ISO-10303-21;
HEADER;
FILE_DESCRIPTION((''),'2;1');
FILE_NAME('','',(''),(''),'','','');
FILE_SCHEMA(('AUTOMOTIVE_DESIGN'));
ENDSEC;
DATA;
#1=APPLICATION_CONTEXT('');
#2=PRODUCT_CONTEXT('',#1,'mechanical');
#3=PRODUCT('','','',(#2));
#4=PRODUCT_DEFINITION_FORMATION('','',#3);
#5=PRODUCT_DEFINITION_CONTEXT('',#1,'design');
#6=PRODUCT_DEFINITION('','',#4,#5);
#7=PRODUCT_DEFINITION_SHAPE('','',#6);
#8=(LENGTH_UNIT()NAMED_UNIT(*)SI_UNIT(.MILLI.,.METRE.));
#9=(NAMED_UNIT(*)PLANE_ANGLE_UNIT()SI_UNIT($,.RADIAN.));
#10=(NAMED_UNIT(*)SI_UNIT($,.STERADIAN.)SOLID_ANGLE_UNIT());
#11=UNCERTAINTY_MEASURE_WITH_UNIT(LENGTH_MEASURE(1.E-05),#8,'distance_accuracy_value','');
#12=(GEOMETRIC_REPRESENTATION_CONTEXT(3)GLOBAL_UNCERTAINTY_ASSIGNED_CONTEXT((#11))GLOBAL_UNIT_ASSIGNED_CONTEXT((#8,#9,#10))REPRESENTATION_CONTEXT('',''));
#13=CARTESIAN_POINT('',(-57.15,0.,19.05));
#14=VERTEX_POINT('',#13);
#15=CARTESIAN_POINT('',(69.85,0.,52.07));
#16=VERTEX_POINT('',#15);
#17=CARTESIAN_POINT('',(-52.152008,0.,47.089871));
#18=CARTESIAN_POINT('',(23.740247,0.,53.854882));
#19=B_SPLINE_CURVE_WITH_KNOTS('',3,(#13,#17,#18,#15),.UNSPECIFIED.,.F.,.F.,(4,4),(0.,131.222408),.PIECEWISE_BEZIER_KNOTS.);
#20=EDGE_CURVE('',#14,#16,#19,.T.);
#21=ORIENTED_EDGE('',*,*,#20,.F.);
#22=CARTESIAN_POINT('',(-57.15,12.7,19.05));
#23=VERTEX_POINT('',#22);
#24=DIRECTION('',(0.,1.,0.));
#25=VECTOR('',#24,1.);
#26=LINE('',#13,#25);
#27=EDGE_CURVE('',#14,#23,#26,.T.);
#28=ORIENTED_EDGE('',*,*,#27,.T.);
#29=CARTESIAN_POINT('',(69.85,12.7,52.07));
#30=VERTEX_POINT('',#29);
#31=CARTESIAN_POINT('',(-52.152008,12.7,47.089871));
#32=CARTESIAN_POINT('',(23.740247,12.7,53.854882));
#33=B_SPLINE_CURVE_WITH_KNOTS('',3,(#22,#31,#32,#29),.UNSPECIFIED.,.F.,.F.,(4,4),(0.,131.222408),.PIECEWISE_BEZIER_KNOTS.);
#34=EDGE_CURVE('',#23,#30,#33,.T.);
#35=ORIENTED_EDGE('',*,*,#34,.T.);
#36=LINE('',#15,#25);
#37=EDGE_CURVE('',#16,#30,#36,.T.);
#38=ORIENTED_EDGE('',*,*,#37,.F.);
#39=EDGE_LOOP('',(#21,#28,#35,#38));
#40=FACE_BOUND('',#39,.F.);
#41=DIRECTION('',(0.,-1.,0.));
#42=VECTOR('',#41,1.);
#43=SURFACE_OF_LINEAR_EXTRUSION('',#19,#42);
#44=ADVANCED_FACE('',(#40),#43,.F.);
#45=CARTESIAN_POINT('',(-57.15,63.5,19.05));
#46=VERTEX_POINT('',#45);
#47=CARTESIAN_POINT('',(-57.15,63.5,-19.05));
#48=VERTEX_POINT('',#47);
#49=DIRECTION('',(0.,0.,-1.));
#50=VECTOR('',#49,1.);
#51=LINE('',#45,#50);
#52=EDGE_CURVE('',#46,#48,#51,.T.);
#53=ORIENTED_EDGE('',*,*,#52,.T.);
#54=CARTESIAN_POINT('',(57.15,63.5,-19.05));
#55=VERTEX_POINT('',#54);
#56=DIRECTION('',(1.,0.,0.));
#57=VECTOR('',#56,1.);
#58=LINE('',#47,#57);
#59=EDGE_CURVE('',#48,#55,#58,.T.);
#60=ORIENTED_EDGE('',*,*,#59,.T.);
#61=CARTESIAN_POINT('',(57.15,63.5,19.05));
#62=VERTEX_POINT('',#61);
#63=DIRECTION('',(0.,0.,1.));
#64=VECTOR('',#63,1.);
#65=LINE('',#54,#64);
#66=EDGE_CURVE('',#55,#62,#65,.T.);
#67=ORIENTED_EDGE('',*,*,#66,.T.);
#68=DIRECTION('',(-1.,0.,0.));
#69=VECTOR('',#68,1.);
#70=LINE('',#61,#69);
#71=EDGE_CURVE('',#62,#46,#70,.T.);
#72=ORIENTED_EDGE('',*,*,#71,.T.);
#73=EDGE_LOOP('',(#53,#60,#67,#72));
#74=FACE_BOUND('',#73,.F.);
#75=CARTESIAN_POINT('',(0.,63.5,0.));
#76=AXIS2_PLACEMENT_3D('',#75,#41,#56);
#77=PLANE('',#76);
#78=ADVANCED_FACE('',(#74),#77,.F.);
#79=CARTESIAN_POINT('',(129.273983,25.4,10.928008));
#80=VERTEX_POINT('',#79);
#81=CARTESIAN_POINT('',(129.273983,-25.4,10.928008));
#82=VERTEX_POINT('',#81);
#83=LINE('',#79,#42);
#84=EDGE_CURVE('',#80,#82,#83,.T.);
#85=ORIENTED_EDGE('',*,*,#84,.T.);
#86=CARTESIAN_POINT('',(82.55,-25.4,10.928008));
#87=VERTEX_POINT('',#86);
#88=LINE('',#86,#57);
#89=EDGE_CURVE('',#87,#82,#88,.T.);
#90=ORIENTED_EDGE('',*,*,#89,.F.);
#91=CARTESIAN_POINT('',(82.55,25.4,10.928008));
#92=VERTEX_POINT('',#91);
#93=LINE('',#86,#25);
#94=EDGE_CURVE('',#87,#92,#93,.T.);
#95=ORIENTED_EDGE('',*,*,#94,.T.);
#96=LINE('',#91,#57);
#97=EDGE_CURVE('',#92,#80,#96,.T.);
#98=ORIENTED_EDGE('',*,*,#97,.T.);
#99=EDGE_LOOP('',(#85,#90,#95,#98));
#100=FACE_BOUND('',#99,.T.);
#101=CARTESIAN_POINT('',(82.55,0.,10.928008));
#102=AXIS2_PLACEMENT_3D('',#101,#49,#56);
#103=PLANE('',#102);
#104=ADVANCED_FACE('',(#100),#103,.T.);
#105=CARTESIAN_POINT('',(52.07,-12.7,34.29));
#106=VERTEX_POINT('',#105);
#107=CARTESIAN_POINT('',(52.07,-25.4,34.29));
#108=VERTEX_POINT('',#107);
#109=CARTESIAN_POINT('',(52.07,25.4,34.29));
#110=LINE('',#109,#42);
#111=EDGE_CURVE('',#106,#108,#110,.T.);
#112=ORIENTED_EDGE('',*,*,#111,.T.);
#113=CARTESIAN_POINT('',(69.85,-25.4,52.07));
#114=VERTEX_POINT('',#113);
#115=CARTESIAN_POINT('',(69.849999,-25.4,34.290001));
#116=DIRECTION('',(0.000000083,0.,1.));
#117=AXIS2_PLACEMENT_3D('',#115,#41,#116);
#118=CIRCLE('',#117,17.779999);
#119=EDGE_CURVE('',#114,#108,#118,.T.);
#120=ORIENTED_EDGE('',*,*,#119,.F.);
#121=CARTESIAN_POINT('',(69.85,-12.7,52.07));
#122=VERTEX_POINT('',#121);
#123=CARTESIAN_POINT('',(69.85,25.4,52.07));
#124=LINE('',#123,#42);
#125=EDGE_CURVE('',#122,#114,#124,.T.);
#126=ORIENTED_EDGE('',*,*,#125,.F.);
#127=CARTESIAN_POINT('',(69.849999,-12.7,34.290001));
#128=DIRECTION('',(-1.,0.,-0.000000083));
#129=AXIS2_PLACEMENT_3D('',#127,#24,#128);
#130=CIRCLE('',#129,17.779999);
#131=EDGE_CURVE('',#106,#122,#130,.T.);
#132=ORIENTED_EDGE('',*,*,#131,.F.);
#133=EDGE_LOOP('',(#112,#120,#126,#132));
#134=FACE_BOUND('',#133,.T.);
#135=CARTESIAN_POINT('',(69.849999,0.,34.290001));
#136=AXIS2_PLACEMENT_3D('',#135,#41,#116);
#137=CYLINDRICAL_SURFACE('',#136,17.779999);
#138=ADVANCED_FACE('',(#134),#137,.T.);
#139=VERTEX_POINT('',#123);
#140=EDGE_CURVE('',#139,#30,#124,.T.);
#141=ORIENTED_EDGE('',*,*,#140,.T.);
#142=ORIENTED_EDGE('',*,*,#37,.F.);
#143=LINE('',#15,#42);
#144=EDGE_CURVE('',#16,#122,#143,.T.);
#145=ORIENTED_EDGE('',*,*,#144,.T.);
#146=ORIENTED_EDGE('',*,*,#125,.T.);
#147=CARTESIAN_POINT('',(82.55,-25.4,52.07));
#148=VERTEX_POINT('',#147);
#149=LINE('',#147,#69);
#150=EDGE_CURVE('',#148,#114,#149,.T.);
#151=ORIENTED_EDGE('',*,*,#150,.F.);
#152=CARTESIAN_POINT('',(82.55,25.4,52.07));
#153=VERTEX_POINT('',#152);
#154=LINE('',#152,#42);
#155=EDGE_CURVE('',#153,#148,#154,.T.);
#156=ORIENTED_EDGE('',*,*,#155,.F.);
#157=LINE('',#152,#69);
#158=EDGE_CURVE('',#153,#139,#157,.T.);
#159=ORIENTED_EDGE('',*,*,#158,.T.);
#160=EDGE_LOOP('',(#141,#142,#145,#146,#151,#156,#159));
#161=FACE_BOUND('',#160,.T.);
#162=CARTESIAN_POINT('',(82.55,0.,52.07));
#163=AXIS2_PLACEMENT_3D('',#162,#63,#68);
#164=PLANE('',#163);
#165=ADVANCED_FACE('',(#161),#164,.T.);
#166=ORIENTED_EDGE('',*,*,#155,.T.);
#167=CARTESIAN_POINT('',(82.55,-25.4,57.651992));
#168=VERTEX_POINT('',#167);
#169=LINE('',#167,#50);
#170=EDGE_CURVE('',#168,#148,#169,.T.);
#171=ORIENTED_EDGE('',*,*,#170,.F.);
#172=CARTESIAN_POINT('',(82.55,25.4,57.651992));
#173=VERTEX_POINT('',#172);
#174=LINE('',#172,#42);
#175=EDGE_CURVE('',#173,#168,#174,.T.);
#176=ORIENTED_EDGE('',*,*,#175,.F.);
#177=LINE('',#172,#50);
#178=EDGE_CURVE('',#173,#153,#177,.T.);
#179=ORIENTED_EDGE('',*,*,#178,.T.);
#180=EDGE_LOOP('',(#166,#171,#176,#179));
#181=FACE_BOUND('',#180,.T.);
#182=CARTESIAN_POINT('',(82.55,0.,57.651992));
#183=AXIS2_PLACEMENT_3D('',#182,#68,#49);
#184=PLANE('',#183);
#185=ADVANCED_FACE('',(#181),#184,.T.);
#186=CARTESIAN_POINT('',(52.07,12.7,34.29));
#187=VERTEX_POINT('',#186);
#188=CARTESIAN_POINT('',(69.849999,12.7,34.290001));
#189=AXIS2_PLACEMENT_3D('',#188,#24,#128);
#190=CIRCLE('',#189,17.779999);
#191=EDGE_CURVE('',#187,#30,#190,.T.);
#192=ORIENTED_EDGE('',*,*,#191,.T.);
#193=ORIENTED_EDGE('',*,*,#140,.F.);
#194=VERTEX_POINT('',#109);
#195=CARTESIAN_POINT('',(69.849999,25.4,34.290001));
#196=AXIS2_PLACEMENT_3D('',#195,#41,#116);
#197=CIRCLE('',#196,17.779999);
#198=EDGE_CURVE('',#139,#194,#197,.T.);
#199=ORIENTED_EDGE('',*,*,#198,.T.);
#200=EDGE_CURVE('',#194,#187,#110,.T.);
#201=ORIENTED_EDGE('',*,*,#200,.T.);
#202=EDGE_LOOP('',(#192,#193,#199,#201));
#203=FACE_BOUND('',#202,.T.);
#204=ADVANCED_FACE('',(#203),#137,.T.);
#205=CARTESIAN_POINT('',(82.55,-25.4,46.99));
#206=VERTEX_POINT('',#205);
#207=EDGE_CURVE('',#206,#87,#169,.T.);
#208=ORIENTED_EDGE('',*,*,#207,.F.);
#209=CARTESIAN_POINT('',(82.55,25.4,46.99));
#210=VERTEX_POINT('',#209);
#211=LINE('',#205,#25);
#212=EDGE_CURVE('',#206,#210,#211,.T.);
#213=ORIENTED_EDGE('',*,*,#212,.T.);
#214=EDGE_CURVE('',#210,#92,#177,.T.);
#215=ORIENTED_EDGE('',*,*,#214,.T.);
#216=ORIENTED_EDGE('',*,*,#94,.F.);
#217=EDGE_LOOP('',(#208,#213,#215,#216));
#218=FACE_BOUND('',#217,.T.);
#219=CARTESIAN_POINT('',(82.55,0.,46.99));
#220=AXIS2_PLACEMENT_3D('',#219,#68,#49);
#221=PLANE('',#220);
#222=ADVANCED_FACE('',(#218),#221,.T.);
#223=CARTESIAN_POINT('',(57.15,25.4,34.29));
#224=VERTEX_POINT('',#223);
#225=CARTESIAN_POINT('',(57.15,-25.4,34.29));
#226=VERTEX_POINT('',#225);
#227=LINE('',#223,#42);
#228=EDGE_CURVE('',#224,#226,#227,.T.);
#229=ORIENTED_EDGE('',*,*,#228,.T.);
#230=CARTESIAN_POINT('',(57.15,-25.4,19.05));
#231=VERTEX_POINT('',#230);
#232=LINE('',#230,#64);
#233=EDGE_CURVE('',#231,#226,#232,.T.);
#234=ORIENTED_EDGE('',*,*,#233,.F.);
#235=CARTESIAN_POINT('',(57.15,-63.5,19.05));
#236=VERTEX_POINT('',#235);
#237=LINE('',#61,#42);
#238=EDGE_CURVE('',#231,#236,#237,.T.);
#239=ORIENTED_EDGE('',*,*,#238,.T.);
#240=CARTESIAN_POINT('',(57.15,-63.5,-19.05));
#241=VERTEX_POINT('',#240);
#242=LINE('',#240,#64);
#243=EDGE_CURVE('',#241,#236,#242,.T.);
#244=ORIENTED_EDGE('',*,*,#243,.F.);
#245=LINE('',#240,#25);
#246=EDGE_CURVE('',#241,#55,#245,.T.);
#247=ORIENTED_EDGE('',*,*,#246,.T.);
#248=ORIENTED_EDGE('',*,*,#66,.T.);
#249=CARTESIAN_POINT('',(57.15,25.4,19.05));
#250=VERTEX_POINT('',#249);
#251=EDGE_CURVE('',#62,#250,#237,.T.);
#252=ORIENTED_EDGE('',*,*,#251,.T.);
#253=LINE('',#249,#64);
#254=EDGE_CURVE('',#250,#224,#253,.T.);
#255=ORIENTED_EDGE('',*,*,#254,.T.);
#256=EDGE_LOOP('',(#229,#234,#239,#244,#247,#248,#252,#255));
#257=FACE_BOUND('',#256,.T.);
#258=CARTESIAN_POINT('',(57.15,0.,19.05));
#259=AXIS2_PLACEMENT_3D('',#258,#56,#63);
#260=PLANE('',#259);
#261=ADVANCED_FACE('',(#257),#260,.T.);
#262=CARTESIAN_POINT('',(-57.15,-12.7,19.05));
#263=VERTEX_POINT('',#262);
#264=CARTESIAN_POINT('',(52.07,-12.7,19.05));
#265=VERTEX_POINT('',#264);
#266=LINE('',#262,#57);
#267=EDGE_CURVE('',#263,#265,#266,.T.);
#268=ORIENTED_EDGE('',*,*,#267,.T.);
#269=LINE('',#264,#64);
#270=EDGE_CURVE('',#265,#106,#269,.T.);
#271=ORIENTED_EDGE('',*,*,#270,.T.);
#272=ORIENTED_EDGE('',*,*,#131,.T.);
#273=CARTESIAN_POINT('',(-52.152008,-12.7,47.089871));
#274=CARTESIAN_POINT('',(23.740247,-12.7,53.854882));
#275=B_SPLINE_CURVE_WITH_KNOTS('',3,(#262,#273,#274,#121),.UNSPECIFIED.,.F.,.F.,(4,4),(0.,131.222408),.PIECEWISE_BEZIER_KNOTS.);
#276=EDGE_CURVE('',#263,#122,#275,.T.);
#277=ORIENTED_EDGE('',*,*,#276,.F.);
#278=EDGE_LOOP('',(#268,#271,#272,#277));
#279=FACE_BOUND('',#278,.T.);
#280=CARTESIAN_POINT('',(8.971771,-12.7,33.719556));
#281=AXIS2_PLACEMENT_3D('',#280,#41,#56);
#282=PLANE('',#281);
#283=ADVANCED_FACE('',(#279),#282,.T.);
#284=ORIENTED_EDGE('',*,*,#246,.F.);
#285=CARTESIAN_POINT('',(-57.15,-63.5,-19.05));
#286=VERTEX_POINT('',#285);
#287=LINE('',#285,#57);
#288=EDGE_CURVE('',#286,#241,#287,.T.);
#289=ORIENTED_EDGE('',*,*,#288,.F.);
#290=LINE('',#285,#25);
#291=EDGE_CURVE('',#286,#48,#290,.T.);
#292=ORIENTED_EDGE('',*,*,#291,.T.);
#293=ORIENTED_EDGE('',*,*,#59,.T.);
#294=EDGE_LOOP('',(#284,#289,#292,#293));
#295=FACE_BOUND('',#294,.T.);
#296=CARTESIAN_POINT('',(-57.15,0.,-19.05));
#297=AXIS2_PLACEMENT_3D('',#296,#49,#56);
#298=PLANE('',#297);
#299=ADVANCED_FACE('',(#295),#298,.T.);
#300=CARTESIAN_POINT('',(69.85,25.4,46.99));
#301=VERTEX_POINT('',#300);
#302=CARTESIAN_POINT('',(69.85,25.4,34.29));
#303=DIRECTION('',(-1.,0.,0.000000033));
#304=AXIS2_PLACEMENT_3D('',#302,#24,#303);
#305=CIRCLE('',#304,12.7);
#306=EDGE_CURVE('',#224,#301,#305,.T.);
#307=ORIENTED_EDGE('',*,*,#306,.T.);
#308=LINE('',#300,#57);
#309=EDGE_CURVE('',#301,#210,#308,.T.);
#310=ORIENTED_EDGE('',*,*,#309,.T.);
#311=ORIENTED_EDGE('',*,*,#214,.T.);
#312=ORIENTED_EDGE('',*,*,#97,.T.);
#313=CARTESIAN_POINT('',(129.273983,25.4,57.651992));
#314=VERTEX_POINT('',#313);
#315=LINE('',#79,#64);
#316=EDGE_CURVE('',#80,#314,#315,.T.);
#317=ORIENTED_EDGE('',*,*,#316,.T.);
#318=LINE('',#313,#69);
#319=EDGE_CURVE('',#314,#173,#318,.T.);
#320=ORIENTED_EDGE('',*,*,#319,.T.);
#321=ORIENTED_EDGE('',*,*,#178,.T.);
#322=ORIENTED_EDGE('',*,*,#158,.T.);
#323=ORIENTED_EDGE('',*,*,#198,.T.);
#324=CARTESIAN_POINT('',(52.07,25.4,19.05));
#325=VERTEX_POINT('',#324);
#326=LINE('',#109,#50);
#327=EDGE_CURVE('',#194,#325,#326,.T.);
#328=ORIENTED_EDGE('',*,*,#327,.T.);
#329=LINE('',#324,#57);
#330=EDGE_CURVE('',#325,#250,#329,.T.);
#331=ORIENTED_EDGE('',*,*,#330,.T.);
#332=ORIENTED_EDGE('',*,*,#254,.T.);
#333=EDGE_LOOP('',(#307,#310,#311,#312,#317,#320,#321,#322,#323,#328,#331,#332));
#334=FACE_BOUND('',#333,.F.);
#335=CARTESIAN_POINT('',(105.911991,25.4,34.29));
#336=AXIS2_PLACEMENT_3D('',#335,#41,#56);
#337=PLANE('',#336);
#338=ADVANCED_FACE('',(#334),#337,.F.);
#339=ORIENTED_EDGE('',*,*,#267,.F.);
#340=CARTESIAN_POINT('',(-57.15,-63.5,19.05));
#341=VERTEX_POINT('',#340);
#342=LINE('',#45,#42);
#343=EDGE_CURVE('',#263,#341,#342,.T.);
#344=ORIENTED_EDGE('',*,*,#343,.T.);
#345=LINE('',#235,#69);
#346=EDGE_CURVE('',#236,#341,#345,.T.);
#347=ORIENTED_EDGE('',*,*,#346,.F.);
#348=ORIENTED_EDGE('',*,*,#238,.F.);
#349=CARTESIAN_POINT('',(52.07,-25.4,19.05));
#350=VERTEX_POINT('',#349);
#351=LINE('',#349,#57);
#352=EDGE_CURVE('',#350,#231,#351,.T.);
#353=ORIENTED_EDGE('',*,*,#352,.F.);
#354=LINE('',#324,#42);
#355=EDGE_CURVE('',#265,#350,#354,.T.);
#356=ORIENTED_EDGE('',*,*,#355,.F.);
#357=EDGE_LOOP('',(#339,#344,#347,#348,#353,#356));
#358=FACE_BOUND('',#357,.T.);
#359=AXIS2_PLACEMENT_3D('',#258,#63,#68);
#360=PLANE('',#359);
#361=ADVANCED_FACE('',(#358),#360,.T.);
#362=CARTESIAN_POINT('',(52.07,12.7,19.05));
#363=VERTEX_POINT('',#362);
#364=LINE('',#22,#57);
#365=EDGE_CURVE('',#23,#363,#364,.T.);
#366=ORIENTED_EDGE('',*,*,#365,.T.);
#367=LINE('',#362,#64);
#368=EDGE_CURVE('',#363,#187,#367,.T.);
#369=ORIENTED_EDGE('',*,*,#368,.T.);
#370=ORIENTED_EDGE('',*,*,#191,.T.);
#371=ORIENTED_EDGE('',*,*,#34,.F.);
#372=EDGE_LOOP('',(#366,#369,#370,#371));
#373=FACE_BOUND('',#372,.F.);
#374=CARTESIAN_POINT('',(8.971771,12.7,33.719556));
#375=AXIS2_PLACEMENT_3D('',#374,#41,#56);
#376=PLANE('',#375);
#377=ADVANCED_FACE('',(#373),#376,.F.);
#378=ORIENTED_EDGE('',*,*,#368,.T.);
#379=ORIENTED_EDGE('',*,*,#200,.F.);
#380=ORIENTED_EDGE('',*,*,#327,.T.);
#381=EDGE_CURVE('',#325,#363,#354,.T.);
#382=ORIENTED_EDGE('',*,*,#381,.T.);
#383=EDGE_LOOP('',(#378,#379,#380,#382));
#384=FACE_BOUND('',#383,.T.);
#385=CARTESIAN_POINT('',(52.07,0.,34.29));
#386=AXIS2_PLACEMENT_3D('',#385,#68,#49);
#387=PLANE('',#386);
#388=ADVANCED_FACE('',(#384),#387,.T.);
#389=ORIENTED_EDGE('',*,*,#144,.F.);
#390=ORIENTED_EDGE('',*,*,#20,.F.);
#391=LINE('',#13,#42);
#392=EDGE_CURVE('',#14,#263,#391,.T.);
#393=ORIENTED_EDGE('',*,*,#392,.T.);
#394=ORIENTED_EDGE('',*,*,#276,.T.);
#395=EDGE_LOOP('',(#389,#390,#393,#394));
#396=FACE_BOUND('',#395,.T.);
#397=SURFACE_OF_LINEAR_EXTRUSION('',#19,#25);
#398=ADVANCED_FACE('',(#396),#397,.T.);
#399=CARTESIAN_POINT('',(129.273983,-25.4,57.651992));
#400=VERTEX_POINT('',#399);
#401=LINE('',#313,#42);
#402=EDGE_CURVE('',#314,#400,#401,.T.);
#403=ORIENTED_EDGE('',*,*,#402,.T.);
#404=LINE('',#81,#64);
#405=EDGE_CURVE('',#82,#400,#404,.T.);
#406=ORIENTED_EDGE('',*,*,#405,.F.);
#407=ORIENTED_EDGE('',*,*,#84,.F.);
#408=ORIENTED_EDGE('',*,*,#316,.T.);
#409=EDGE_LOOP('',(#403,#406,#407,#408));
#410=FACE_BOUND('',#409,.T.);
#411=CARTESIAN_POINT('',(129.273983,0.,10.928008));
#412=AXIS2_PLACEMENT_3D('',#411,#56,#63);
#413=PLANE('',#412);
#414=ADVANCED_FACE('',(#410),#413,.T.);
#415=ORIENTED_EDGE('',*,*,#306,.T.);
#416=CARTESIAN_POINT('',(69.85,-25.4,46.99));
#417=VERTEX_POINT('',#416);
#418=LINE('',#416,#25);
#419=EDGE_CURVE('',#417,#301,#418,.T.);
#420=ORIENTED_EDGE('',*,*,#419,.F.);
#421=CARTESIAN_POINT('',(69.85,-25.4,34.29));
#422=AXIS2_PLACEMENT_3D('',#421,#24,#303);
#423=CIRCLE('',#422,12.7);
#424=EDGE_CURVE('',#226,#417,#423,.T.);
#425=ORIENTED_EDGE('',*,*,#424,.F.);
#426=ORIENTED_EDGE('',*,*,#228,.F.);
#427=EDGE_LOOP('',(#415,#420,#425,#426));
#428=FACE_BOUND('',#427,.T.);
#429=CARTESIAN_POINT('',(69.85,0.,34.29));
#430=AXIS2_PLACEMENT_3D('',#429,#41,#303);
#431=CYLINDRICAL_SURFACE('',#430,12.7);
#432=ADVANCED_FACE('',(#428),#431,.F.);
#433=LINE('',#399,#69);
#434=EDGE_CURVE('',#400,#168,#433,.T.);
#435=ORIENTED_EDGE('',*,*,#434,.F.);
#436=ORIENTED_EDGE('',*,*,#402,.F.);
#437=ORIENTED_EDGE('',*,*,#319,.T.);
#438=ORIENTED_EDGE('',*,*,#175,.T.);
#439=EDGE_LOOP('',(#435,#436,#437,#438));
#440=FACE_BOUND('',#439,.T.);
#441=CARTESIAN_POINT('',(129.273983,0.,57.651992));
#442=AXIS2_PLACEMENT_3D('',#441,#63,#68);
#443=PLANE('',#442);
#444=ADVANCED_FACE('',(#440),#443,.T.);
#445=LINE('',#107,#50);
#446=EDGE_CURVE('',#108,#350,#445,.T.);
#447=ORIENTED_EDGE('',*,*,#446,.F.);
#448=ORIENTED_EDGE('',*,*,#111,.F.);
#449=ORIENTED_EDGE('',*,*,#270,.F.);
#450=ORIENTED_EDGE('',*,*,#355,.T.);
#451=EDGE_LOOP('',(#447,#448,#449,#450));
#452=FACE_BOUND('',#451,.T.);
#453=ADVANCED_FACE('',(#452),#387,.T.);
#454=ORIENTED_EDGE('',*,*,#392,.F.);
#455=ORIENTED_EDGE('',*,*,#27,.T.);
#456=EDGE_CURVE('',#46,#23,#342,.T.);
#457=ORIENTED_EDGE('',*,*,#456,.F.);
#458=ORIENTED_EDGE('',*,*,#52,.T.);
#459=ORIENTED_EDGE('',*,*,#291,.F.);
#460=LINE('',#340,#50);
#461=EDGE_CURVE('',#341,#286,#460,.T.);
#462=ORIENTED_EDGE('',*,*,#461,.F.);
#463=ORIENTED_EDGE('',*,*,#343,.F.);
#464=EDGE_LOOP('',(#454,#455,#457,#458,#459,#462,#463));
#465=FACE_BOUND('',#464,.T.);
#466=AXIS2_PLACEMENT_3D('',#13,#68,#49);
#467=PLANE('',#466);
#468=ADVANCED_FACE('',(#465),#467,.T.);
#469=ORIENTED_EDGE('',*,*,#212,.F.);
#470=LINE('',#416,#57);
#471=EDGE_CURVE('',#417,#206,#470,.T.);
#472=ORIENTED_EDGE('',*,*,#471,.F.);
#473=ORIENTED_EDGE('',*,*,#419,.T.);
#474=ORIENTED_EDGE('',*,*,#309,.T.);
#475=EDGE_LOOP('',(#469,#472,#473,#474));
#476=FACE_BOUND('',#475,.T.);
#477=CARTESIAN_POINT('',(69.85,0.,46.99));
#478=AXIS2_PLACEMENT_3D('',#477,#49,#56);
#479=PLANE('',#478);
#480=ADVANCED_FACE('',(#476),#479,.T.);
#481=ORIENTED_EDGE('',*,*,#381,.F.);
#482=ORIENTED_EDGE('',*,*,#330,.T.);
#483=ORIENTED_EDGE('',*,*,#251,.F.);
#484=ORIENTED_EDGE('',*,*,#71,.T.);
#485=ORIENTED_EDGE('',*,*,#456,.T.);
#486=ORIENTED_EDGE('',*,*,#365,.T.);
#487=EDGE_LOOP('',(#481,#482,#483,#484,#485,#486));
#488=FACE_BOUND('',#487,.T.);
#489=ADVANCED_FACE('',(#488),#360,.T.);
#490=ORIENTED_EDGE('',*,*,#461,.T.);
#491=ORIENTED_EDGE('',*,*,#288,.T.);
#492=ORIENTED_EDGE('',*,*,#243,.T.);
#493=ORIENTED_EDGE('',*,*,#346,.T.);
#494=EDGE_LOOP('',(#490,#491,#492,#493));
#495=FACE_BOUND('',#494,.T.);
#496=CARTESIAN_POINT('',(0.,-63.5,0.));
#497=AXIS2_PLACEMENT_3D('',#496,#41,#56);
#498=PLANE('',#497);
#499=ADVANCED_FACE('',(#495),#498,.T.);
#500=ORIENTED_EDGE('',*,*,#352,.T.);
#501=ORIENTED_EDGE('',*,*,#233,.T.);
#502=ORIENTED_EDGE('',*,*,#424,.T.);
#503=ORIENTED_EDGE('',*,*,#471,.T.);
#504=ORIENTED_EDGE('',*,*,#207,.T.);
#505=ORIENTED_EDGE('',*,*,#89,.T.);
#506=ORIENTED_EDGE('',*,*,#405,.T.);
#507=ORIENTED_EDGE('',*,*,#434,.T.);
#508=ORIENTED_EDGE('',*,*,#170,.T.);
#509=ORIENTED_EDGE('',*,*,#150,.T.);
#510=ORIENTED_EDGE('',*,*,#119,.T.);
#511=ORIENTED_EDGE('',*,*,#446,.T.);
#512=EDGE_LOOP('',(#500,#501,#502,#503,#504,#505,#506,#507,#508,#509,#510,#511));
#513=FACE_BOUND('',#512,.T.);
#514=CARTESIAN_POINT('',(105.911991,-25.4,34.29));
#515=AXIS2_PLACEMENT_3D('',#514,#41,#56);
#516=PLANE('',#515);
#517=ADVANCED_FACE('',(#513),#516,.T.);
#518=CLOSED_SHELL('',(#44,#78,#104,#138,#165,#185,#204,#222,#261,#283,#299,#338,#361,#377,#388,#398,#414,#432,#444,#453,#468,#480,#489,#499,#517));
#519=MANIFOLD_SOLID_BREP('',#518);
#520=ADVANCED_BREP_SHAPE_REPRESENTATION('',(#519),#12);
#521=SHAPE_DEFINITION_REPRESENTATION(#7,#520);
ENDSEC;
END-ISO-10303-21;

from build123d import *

# Parameters (mm, degrees)
F1_DEPTH = 63.5
F2_DEPTH = 12.7
F3_DEPTH = 25.4


with BuildPart() as f1:
    # F0 (on Front) → F1 (new body, symmetric)
    with BuildSketch(Plane.XZ):
        Polygon((57.15, -19.05), (57.15, 19.05), (52.07, 19.05), (-57.15, 19.05), (-57.15, -19.05), align=None)
    extrude(amount=F1_DEPTH, both=True)

    # F0 (on Front) → F2 (join, symmetric)
    with BuildSketch(Plane.XZ):
        with BuildLine():
            Line((-57.15, 19.05), (52.07, 19.05))
            Line((52.07, 19.05), (52.07, 34.29))
            ThreePointArc((52.07, 34.29), (57.277641, 46.862359), (69.85, 52.07))
            add(Edge.make_bspline(
                [(-57.15, 19.05), (-52.152008, 47.089871), (23.740247, 53.854882), (69.85, 52.07)],
                knots=[0, 0, 0, 0, 131.222408, 131.222408, 131.222408, 131.222408], degree=3))
        make_face()
    extrude(amount=F2_DEPTH, both=True)

    # F0 (on Front) → F3 (join, symmetric)
    with BuildSketch(Plane.XZ):
        Polygon((82.55, 52.07), (82.55, 46.99), (82.55, 10.928008), (129.273983, 10.928008), (129.273983, 57.651992), (82.55, 57.651992), align=None)
        with BuildLine():
            Line((52.07, 19.05), (57.15, 19.05))
            Line((57.15, 19.05), (57.15, 34.29))
            ThreePointArc((57.15, 34.29), (60.869744, 43.270256), (69.85, 46.99))
            Line((69.85, 46.99), (82.55, 46.99))
            Line((82.55, 46.99), (82.55, 52.07))
            Line((82.55, 52.07), (69.85, 52.07))
            ThreePointArc((69.85, 52.07), (57.277641, 46.862359), (52.07, 34.29))
            Line((52.07, 34.29), (52.07, 19.05))
        make_face()
    extrude(amount=F3_DEPTH, both=True)


solid = f1.part
